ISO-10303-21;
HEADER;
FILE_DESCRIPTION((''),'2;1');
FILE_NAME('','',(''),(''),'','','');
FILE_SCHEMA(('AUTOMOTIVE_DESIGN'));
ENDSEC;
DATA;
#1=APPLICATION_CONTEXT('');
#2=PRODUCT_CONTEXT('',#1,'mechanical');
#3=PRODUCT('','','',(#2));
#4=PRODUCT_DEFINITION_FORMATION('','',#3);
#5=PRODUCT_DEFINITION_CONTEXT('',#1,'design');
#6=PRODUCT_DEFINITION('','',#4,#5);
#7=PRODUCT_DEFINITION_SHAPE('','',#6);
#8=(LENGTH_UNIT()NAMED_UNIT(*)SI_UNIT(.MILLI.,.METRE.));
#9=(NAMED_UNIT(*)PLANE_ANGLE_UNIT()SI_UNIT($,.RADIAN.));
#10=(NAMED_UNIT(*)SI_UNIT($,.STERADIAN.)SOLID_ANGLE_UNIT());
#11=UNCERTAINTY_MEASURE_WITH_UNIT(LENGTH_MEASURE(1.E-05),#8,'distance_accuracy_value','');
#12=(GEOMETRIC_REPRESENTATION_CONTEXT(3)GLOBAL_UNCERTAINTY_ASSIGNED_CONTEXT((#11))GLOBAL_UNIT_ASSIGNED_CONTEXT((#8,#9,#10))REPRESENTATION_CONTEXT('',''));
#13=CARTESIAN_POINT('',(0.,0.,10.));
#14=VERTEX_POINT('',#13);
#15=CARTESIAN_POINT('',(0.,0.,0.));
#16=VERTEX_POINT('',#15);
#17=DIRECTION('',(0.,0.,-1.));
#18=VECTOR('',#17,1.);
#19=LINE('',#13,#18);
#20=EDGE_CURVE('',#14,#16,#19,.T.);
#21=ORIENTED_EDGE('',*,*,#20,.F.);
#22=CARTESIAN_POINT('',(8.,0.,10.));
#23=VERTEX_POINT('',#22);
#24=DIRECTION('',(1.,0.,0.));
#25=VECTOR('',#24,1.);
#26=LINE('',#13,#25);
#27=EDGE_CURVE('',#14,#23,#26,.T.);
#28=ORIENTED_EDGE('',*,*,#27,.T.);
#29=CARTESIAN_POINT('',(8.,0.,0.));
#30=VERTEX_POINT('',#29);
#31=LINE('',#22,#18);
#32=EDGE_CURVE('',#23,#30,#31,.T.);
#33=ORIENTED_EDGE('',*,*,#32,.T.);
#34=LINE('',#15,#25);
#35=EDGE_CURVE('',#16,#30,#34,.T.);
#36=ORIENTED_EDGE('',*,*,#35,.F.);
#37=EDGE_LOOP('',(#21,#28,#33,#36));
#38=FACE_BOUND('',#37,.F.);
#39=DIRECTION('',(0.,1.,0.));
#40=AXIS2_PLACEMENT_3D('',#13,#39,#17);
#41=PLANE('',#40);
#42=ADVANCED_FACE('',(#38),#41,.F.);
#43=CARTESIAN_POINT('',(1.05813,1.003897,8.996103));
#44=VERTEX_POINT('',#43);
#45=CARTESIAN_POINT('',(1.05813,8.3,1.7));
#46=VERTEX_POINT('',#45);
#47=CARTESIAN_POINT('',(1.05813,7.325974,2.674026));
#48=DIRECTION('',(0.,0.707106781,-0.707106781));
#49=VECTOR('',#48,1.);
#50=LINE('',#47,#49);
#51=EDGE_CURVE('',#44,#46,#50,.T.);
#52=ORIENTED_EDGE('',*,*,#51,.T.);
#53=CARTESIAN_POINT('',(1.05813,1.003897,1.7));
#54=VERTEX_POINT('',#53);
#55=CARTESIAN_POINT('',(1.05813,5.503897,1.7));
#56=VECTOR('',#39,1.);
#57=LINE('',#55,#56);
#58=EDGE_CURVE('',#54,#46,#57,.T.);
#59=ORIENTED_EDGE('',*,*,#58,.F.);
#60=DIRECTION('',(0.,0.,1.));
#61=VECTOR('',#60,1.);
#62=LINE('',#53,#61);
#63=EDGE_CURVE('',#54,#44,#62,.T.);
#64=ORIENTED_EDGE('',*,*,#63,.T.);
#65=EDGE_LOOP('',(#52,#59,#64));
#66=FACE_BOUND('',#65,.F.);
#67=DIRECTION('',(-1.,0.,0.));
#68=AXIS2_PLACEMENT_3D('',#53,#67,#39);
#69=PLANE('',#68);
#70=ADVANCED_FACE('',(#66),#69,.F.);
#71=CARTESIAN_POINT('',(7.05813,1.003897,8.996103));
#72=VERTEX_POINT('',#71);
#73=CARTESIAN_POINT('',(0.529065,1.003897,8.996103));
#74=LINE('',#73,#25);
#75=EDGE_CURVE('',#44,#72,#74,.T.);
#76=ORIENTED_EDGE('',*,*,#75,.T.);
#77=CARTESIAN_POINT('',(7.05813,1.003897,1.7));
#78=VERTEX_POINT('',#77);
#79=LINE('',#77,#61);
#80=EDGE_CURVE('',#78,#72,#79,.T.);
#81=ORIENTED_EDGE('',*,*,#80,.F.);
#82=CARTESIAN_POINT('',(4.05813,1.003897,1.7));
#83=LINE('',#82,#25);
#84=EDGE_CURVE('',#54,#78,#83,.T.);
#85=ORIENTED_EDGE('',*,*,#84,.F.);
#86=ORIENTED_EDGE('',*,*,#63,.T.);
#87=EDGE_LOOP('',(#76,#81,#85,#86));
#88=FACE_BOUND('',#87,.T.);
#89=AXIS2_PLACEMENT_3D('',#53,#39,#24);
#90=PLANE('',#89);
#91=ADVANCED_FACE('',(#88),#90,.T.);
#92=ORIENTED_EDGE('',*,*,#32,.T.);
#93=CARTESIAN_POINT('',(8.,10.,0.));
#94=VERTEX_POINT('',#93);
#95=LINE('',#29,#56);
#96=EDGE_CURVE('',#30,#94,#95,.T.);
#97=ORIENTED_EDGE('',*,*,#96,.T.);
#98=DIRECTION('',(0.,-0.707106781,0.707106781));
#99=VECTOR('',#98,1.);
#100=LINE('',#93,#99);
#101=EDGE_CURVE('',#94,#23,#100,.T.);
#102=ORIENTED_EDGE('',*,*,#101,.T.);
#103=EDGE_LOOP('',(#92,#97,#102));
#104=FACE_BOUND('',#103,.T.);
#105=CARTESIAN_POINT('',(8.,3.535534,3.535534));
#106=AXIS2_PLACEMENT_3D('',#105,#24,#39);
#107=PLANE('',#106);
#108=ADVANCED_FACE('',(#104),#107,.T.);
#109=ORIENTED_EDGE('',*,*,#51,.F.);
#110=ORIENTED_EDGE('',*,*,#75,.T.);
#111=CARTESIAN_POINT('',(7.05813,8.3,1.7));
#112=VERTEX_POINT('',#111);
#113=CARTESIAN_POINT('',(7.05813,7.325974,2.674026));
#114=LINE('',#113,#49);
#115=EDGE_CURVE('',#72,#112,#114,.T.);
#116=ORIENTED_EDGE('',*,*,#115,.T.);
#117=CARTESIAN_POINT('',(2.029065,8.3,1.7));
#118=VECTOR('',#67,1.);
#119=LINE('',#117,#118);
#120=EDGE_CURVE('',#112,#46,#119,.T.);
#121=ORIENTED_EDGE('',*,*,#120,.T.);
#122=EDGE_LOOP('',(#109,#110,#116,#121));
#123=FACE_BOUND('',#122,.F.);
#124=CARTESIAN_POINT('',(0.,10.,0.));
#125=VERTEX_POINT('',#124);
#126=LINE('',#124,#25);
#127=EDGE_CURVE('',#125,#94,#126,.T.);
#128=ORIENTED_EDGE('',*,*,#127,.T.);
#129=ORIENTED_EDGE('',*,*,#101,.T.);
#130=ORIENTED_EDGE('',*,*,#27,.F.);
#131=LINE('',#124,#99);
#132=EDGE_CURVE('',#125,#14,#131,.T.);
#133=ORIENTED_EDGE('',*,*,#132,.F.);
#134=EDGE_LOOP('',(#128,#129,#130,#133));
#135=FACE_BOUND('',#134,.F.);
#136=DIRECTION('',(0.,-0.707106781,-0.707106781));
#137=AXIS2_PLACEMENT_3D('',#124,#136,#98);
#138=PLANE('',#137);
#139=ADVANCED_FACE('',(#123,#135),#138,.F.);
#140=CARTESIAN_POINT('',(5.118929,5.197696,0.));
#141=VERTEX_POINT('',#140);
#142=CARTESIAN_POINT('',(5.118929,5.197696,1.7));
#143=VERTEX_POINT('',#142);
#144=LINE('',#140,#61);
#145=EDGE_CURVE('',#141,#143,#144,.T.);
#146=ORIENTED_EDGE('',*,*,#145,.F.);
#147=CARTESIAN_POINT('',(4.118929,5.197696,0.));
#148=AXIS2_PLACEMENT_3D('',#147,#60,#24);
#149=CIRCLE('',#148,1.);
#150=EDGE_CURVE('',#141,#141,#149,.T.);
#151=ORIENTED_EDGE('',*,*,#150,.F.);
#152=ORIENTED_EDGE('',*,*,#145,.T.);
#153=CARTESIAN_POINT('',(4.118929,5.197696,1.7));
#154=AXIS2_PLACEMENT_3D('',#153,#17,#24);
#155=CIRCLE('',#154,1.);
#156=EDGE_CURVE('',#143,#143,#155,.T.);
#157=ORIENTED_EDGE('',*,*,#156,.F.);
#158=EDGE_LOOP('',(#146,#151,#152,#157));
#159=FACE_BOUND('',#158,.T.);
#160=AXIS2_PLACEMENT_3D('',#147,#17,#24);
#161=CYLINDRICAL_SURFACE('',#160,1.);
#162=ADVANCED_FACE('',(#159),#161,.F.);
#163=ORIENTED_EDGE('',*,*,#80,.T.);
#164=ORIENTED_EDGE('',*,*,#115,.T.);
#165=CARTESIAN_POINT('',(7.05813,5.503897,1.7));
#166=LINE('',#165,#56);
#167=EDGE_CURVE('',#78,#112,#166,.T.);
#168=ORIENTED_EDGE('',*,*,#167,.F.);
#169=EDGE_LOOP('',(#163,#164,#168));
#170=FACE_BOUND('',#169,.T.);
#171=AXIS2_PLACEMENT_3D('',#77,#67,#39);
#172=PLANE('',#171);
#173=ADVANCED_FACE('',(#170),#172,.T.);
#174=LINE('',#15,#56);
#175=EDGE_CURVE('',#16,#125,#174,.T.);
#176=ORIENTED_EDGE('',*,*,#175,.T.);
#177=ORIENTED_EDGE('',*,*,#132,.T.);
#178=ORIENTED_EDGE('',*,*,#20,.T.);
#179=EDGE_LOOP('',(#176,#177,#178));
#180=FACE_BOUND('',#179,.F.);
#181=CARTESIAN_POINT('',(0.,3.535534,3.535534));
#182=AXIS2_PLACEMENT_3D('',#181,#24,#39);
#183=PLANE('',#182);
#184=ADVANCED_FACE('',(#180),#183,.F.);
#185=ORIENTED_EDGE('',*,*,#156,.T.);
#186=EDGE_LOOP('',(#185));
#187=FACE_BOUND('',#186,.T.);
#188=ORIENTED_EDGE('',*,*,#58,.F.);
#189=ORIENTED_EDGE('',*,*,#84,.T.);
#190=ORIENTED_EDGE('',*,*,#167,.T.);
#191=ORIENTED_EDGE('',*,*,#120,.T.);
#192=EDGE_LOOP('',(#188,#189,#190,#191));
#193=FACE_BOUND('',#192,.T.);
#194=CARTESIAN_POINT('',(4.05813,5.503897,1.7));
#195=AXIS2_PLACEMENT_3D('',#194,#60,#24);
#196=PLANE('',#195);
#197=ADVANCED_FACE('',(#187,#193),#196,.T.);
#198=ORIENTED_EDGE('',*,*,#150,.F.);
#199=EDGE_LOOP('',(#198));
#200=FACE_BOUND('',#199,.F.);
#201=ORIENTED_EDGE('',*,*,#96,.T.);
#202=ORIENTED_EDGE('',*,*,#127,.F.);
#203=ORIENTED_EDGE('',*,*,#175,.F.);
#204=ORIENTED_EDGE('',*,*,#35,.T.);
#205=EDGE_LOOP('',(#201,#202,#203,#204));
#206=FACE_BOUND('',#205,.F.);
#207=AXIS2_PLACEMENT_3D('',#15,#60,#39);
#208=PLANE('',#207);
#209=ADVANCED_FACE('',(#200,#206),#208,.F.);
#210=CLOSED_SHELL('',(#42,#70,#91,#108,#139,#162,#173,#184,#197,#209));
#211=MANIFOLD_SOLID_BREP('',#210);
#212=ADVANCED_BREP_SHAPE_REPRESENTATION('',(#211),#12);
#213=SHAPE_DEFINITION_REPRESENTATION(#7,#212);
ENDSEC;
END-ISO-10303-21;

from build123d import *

# Parameters (mm, degrees)
F1_DEPTH = 8
F3_START = 1.7
F2_W     = 6
F2_H     = 9
F3_DEPTH = 20.7
F4_R     = 1
F5_DEPTH = 19.8


with BuildPart() as f1:
    # F0 (on Right) → F1 (new body)
    with BuildSketch(Plane.YZ):
        Polygon((0, 10), (0, 0), (10, 0), align=None)
    extrude(amount=F1_DEPTH)

    # F2 (on Top) → F3 (cut)
    with BuildSketch(Plane.XY.offset(F3_START)):
        with Locations((4.0581296198, 5.5038969816)):
            Rectangle(F2_W, F2_H)
    extrude(amount=F3_DEPTH, mode=Mode.SUBTRACT)

    # F4 (on Top) → F5 (cut)
    with BuildSketch(Plane.XY):
        with Locations((4.1189291514, 5.1976959221)):
            Circle(F4_R)
    extrude(amount=F5_DEPTH, mode=Mode.SUBTRACT)


solid = f1.part
